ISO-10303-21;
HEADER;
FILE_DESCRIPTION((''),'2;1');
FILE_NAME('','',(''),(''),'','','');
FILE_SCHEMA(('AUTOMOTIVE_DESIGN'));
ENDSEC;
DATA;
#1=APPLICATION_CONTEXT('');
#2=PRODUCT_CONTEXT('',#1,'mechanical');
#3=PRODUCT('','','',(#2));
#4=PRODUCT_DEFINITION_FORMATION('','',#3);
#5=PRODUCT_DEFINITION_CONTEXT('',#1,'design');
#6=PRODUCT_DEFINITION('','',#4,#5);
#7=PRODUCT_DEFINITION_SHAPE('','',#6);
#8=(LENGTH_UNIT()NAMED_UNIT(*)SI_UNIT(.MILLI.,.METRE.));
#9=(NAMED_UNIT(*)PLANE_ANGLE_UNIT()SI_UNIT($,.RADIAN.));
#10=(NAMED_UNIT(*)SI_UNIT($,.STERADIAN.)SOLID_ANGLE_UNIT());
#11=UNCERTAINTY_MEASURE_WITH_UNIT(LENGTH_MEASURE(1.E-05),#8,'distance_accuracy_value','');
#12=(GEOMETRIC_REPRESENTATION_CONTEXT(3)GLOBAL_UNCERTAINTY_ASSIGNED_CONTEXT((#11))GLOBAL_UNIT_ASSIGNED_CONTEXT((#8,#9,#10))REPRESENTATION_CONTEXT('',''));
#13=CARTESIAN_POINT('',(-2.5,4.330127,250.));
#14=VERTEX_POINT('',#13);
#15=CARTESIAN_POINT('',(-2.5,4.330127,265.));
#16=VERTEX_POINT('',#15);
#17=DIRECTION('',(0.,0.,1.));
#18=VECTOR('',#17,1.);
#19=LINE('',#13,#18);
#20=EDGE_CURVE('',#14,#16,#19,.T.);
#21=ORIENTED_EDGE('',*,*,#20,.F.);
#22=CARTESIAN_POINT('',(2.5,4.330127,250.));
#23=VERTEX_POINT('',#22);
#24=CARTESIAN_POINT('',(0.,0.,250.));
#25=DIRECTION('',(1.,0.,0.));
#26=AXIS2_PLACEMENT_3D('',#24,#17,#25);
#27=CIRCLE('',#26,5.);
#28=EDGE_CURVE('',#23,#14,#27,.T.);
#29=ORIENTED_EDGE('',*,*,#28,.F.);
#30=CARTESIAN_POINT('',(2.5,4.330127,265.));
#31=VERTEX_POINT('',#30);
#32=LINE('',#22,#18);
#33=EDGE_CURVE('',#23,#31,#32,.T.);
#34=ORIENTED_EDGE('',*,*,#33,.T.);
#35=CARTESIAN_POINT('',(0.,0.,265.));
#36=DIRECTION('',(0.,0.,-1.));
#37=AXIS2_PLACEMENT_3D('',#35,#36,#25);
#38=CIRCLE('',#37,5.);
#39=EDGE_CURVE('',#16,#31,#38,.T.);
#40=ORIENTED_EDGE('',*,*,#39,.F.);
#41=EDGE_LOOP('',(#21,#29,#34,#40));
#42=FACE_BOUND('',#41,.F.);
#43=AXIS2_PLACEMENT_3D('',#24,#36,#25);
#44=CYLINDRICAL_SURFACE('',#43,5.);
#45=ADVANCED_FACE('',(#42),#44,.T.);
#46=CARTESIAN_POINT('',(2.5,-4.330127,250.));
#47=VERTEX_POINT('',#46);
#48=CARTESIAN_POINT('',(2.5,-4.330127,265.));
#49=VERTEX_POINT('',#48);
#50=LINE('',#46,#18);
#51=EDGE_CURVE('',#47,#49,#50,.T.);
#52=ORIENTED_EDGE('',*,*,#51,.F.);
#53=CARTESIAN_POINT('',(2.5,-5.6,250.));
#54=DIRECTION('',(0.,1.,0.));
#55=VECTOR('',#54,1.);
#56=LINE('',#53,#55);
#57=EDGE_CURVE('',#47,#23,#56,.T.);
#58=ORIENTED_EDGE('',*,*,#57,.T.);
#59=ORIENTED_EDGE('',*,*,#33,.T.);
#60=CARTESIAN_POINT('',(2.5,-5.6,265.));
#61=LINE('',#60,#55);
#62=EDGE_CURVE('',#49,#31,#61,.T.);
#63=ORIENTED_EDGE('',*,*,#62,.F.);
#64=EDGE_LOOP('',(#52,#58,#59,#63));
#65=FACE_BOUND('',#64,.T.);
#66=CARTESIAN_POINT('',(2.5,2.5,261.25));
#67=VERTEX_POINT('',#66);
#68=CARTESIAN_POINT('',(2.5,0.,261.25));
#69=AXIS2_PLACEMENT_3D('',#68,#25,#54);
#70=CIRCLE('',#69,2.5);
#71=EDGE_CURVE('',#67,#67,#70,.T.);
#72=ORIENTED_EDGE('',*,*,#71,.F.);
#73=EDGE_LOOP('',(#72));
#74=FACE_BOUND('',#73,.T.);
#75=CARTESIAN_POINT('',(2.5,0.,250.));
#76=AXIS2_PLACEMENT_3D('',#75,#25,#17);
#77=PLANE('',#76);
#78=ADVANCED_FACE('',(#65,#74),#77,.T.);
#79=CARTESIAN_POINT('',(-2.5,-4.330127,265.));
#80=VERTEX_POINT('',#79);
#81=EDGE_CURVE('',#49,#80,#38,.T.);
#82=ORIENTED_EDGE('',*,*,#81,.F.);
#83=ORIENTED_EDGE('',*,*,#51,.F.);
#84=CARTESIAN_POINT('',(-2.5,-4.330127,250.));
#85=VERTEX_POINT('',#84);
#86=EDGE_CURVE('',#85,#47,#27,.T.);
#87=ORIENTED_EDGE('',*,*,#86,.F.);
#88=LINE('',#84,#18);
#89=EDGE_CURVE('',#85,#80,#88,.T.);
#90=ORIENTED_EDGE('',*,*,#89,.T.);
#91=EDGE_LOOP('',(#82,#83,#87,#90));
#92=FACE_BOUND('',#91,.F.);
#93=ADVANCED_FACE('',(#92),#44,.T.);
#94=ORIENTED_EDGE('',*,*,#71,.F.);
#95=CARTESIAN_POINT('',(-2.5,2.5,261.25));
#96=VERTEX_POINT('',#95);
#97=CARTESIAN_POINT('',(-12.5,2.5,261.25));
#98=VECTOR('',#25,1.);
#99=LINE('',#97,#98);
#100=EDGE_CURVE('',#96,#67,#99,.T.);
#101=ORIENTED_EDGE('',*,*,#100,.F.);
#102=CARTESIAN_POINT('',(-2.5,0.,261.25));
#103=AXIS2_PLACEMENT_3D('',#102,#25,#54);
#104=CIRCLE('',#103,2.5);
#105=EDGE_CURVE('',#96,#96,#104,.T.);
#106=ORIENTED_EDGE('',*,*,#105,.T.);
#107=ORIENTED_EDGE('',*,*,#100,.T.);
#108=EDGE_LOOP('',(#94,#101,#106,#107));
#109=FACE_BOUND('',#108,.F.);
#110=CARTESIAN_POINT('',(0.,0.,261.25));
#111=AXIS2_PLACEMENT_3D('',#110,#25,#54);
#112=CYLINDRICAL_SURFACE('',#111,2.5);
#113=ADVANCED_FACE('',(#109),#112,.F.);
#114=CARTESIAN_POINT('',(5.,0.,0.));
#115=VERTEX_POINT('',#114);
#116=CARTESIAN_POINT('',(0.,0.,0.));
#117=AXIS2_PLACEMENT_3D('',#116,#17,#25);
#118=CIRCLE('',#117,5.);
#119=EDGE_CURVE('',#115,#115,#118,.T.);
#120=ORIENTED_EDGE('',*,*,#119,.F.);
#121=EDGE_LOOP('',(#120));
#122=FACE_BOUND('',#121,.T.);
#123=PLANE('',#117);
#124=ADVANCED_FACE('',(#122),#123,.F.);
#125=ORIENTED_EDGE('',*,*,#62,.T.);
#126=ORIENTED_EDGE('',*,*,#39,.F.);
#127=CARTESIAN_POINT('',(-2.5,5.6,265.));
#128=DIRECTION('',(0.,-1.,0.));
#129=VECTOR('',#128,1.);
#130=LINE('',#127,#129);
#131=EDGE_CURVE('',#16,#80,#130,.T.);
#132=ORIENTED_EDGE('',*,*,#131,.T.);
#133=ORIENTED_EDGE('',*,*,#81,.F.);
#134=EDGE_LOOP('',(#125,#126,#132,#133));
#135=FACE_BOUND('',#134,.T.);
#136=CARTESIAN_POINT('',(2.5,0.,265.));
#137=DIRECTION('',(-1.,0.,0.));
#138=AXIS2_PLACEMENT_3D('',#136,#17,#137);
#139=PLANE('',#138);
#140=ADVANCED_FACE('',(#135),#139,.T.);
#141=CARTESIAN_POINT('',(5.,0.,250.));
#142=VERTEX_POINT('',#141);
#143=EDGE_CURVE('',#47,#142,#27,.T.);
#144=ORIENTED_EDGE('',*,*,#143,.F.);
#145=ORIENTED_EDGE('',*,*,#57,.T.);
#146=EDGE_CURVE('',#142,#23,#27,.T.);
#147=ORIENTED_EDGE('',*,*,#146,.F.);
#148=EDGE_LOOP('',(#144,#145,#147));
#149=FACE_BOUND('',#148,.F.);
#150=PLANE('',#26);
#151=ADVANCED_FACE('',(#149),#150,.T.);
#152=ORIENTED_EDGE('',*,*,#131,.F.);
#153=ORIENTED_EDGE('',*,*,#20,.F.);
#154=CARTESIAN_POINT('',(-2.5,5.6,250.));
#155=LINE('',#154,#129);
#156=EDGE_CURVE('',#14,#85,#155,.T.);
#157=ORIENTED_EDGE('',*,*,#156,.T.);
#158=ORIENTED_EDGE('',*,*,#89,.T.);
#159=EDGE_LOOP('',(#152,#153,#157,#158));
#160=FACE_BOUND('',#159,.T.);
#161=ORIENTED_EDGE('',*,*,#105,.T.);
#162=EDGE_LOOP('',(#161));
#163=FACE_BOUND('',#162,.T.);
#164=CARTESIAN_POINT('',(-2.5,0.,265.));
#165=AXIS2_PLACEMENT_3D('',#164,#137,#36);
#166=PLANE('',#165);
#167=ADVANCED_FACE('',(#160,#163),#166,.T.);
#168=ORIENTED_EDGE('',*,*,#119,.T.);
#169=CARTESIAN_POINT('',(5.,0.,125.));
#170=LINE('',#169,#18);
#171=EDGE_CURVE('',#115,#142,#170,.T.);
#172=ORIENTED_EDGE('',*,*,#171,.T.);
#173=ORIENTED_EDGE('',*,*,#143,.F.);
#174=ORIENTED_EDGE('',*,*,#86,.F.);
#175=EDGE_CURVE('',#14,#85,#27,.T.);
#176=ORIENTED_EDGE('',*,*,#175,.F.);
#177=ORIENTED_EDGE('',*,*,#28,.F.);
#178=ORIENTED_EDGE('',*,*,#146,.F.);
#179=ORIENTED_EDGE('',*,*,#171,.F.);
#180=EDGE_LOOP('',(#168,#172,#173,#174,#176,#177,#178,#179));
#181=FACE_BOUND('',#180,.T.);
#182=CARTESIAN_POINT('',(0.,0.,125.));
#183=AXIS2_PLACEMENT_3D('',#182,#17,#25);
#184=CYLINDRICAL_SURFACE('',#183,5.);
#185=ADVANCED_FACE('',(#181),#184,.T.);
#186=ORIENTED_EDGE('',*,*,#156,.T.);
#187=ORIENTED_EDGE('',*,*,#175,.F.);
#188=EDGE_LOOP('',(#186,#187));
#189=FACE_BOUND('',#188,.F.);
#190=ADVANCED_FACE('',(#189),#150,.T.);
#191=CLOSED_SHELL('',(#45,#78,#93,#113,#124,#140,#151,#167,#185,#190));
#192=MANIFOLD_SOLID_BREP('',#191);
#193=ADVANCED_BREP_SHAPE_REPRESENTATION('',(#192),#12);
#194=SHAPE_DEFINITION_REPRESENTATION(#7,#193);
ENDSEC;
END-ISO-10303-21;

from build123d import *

# Parameters (mm, degrees)
F0_W     = 5
F0_H     = 250
F3_DEPTH = 5.6
F4_DEPTH = 15.001
F5_R     = 2.5
F6_DEPTH = 12.5


with BuildPart() as f1:
    # F0 (on Front) → F1 (revolve)
    with BuildSketch(Plane.XZ):
        with Locations((2.5, 125)):
            Rectangle(F0_W, F0_H)
    revolve(axis=Axis((0, 0, 125), (0, 0, 1)))

    # F2 (on Front) → F3 (join, symmetric)
    with BuildSketch(Plane.XZ):
        Polygon((2.5, 265), (0, 265), (-2.5, 265), (-2.5, 250), (0, 250), (2.5, 250), align=None)
    extrude(amount=F3_DEPTH, both=True)

    # F4 (cut, through all): faces of the model
    f4_faces = [f1.faces().sort_by_distance(p)[0] for p in [
        (0, 5.1676416456, 250),
        (0, -5.1676416456, 250),
    ]]
    extrude(f4_faces, amount=-F4_DEPTH, mode=Mode.SUBTRACT)

    # F5 (on Right) → F6 (cut, symmetric)
    with BuildSketch(Plane.YZ):
        with Locations((0, 261.25)):
            Circle(F5_R)
    extrude(amount=F6_DEPTH, both=True, mode=Mode.SUBTRACT)


solid = f1.part
